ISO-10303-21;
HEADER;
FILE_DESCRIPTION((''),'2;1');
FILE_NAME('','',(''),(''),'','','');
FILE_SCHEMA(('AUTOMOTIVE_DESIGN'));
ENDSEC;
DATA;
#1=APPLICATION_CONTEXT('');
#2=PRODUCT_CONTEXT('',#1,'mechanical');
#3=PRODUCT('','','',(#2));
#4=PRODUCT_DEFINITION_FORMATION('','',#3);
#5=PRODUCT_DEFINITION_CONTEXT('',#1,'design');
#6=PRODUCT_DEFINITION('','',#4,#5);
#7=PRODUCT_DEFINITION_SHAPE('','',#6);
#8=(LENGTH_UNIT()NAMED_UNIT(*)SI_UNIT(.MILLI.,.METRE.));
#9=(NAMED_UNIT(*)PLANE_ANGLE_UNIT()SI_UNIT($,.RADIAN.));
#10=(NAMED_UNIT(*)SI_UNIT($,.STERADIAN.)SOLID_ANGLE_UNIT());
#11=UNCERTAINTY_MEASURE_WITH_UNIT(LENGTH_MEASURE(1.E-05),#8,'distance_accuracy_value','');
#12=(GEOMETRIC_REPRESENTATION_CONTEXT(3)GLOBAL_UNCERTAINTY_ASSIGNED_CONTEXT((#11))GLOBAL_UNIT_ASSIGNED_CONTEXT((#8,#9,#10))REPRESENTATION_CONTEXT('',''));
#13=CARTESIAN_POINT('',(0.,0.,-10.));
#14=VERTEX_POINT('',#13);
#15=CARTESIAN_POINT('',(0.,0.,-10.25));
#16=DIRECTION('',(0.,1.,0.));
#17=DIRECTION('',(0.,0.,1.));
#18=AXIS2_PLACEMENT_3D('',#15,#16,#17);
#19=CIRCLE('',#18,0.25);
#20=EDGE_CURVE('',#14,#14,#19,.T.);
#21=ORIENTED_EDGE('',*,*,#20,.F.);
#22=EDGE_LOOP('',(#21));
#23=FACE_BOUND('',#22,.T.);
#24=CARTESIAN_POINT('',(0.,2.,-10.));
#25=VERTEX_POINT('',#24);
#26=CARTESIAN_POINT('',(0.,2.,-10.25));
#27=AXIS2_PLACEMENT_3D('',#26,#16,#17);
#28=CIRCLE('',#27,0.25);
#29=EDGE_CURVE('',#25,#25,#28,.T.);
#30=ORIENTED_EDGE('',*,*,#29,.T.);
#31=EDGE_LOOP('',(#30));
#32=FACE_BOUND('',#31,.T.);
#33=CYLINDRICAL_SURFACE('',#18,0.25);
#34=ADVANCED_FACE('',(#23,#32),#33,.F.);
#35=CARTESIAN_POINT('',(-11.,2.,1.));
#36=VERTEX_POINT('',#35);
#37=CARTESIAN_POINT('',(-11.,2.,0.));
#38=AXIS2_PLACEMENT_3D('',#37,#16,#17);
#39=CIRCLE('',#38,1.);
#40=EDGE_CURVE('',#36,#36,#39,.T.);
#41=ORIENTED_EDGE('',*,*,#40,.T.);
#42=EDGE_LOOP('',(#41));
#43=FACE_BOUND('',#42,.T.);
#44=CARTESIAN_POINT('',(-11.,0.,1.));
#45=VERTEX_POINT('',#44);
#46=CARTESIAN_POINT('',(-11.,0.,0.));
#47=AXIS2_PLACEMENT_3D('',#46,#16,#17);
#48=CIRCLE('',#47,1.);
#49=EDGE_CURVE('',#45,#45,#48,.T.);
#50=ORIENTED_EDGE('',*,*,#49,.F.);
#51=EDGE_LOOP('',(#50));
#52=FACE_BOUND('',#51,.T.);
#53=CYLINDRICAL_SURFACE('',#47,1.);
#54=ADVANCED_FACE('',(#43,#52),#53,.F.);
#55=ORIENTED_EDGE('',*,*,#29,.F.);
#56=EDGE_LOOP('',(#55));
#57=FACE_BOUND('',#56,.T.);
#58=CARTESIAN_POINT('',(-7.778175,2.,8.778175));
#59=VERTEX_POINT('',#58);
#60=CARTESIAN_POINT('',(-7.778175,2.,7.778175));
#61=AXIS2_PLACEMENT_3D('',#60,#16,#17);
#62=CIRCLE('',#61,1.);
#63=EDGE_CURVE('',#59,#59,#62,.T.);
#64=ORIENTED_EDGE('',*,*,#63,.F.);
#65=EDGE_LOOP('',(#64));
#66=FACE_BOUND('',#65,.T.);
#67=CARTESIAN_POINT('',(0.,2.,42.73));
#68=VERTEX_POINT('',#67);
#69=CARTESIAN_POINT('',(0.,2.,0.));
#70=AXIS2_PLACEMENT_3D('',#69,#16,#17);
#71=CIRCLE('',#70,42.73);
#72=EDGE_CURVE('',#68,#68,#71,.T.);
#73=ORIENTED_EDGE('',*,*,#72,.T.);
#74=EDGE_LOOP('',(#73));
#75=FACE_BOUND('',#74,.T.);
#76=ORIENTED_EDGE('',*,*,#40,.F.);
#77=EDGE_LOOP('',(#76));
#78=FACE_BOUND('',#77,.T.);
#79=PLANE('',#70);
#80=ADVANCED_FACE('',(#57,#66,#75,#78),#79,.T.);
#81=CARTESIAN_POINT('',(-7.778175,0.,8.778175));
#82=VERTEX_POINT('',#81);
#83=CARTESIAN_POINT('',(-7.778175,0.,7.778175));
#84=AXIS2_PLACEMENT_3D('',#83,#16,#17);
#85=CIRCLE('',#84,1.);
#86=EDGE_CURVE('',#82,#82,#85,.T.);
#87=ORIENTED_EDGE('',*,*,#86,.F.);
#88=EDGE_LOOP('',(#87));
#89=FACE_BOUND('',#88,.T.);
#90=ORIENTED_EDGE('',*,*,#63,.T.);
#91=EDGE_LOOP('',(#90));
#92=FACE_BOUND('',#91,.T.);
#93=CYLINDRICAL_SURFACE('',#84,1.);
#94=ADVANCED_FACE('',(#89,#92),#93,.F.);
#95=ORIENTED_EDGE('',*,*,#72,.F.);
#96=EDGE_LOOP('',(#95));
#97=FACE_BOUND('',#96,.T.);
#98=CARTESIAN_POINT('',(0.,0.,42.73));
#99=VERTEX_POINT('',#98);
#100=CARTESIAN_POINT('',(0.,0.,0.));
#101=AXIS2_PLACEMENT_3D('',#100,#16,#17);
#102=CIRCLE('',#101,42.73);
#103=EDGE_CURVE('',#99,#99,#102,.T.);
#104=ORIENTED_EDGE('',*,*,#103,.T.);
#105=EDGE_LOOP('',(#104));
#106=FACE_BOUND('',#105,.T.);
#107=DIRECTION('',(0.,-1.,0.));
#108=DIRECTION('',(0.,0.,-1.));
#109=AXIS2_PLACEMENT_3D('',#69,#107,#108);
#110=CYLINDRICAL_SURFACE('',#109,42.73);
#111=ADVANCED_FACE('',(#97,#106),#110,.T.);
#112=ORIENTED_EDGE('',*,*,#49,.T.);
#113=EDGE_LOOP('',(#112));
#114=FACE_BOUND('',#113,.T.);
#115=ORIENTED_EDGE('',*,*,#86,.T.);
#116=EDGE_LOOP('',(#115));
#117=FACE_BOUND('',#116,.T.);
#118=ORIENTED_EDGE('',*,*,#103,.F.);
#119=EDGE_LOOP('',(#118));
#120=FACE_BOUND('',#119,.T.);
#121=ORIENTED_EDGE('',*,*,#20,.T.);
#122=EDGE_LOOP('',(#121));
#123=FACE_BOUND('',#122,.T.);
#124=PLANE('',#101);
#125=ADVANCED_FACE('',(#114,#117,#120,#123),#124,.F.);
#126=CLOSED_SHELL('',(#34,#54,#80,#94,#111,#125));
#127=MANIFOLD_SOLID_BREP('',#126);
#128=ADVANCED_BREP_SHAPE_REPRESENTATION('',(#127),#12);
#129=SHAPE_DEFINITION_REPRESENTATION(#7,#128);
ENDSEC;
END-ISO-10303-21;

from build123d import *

# Parameters (mm, degrees)
SKETCH1_R               = 42.73
BOSS_EXTRUDE1_DEPTH     = 2
CUT_EXTRUDE1_DEPTH      = 61.462432965
CUT_EXTRUDE1_DEPTH_BACK = 61.462432965
SKETCH2_R               = 0.25
CUT_EXTRUDE2_DEPTH      = 61.462432965
CUT_EXTRUDE2_DEPTH_BACK = 61.462432965
SKETCH3_R               = 1


with BuildPart() as part:
    # Sketch1 → Boss-Extrude1 (new body)
    with BuildSketch(Plane(origin=(0, 0, 0), x_dir=(1, 0, 0), z_dir=(0, 1, 0))):
        with Locations(Location((0, 0, 0), (0, 0, 270))):
            Circle(SKETCH1_R)
    extrude(amount=BOSS_EXTRUDE1_DEPTH)

    # Sketch2 → Cut-Extrude1 (cut, two sides: drawn at the far end of the back side and taken through both)
    with BuildSketch(Plane(origin=(0, 2, 0), x_dir=(1, 0, 0), z_dir=(0, 1, 0)).offset(-CUT_EXTRUDE1_DEPTH_BACK)):
        with Locations(Location((0, 10.25, 0), (0, 0, 270))):
            Circle(SKETCH2_R)
    extrude(amount=CUT_EXTRUDE1_DEPTH + CUT_EXTRUDE1_DEPTH_BACK, mode=Mode.SUBTRACT)

    # Sketch3 → Cut-Extrude2 (cut, two sides: drawn at the far end of the back side and taken through both)
    with BuildSketch(Plane(origin=(0, 2, 0), x_dir=(1, 0, 0), z_dir=(0, 1, 0)).offset(-CUT_EXTRUDE2_DEPTH_BACK)):
        with Locations(Location((-11, 0, 0), (0, 0, 270))):
            Circle(SKETCH3_R)
        with Locations(Location((-7.778174593, -7.778174593, 0), (0, 0, 270))):
            Circle(SKETCH3_R)
    extrude(amount=CUT_EXTRUDE2_DEPTH + CUT_EXTRUDE2_DEPTH_BACK, mode=Mode.SUBTRACT)


solid = part.part
